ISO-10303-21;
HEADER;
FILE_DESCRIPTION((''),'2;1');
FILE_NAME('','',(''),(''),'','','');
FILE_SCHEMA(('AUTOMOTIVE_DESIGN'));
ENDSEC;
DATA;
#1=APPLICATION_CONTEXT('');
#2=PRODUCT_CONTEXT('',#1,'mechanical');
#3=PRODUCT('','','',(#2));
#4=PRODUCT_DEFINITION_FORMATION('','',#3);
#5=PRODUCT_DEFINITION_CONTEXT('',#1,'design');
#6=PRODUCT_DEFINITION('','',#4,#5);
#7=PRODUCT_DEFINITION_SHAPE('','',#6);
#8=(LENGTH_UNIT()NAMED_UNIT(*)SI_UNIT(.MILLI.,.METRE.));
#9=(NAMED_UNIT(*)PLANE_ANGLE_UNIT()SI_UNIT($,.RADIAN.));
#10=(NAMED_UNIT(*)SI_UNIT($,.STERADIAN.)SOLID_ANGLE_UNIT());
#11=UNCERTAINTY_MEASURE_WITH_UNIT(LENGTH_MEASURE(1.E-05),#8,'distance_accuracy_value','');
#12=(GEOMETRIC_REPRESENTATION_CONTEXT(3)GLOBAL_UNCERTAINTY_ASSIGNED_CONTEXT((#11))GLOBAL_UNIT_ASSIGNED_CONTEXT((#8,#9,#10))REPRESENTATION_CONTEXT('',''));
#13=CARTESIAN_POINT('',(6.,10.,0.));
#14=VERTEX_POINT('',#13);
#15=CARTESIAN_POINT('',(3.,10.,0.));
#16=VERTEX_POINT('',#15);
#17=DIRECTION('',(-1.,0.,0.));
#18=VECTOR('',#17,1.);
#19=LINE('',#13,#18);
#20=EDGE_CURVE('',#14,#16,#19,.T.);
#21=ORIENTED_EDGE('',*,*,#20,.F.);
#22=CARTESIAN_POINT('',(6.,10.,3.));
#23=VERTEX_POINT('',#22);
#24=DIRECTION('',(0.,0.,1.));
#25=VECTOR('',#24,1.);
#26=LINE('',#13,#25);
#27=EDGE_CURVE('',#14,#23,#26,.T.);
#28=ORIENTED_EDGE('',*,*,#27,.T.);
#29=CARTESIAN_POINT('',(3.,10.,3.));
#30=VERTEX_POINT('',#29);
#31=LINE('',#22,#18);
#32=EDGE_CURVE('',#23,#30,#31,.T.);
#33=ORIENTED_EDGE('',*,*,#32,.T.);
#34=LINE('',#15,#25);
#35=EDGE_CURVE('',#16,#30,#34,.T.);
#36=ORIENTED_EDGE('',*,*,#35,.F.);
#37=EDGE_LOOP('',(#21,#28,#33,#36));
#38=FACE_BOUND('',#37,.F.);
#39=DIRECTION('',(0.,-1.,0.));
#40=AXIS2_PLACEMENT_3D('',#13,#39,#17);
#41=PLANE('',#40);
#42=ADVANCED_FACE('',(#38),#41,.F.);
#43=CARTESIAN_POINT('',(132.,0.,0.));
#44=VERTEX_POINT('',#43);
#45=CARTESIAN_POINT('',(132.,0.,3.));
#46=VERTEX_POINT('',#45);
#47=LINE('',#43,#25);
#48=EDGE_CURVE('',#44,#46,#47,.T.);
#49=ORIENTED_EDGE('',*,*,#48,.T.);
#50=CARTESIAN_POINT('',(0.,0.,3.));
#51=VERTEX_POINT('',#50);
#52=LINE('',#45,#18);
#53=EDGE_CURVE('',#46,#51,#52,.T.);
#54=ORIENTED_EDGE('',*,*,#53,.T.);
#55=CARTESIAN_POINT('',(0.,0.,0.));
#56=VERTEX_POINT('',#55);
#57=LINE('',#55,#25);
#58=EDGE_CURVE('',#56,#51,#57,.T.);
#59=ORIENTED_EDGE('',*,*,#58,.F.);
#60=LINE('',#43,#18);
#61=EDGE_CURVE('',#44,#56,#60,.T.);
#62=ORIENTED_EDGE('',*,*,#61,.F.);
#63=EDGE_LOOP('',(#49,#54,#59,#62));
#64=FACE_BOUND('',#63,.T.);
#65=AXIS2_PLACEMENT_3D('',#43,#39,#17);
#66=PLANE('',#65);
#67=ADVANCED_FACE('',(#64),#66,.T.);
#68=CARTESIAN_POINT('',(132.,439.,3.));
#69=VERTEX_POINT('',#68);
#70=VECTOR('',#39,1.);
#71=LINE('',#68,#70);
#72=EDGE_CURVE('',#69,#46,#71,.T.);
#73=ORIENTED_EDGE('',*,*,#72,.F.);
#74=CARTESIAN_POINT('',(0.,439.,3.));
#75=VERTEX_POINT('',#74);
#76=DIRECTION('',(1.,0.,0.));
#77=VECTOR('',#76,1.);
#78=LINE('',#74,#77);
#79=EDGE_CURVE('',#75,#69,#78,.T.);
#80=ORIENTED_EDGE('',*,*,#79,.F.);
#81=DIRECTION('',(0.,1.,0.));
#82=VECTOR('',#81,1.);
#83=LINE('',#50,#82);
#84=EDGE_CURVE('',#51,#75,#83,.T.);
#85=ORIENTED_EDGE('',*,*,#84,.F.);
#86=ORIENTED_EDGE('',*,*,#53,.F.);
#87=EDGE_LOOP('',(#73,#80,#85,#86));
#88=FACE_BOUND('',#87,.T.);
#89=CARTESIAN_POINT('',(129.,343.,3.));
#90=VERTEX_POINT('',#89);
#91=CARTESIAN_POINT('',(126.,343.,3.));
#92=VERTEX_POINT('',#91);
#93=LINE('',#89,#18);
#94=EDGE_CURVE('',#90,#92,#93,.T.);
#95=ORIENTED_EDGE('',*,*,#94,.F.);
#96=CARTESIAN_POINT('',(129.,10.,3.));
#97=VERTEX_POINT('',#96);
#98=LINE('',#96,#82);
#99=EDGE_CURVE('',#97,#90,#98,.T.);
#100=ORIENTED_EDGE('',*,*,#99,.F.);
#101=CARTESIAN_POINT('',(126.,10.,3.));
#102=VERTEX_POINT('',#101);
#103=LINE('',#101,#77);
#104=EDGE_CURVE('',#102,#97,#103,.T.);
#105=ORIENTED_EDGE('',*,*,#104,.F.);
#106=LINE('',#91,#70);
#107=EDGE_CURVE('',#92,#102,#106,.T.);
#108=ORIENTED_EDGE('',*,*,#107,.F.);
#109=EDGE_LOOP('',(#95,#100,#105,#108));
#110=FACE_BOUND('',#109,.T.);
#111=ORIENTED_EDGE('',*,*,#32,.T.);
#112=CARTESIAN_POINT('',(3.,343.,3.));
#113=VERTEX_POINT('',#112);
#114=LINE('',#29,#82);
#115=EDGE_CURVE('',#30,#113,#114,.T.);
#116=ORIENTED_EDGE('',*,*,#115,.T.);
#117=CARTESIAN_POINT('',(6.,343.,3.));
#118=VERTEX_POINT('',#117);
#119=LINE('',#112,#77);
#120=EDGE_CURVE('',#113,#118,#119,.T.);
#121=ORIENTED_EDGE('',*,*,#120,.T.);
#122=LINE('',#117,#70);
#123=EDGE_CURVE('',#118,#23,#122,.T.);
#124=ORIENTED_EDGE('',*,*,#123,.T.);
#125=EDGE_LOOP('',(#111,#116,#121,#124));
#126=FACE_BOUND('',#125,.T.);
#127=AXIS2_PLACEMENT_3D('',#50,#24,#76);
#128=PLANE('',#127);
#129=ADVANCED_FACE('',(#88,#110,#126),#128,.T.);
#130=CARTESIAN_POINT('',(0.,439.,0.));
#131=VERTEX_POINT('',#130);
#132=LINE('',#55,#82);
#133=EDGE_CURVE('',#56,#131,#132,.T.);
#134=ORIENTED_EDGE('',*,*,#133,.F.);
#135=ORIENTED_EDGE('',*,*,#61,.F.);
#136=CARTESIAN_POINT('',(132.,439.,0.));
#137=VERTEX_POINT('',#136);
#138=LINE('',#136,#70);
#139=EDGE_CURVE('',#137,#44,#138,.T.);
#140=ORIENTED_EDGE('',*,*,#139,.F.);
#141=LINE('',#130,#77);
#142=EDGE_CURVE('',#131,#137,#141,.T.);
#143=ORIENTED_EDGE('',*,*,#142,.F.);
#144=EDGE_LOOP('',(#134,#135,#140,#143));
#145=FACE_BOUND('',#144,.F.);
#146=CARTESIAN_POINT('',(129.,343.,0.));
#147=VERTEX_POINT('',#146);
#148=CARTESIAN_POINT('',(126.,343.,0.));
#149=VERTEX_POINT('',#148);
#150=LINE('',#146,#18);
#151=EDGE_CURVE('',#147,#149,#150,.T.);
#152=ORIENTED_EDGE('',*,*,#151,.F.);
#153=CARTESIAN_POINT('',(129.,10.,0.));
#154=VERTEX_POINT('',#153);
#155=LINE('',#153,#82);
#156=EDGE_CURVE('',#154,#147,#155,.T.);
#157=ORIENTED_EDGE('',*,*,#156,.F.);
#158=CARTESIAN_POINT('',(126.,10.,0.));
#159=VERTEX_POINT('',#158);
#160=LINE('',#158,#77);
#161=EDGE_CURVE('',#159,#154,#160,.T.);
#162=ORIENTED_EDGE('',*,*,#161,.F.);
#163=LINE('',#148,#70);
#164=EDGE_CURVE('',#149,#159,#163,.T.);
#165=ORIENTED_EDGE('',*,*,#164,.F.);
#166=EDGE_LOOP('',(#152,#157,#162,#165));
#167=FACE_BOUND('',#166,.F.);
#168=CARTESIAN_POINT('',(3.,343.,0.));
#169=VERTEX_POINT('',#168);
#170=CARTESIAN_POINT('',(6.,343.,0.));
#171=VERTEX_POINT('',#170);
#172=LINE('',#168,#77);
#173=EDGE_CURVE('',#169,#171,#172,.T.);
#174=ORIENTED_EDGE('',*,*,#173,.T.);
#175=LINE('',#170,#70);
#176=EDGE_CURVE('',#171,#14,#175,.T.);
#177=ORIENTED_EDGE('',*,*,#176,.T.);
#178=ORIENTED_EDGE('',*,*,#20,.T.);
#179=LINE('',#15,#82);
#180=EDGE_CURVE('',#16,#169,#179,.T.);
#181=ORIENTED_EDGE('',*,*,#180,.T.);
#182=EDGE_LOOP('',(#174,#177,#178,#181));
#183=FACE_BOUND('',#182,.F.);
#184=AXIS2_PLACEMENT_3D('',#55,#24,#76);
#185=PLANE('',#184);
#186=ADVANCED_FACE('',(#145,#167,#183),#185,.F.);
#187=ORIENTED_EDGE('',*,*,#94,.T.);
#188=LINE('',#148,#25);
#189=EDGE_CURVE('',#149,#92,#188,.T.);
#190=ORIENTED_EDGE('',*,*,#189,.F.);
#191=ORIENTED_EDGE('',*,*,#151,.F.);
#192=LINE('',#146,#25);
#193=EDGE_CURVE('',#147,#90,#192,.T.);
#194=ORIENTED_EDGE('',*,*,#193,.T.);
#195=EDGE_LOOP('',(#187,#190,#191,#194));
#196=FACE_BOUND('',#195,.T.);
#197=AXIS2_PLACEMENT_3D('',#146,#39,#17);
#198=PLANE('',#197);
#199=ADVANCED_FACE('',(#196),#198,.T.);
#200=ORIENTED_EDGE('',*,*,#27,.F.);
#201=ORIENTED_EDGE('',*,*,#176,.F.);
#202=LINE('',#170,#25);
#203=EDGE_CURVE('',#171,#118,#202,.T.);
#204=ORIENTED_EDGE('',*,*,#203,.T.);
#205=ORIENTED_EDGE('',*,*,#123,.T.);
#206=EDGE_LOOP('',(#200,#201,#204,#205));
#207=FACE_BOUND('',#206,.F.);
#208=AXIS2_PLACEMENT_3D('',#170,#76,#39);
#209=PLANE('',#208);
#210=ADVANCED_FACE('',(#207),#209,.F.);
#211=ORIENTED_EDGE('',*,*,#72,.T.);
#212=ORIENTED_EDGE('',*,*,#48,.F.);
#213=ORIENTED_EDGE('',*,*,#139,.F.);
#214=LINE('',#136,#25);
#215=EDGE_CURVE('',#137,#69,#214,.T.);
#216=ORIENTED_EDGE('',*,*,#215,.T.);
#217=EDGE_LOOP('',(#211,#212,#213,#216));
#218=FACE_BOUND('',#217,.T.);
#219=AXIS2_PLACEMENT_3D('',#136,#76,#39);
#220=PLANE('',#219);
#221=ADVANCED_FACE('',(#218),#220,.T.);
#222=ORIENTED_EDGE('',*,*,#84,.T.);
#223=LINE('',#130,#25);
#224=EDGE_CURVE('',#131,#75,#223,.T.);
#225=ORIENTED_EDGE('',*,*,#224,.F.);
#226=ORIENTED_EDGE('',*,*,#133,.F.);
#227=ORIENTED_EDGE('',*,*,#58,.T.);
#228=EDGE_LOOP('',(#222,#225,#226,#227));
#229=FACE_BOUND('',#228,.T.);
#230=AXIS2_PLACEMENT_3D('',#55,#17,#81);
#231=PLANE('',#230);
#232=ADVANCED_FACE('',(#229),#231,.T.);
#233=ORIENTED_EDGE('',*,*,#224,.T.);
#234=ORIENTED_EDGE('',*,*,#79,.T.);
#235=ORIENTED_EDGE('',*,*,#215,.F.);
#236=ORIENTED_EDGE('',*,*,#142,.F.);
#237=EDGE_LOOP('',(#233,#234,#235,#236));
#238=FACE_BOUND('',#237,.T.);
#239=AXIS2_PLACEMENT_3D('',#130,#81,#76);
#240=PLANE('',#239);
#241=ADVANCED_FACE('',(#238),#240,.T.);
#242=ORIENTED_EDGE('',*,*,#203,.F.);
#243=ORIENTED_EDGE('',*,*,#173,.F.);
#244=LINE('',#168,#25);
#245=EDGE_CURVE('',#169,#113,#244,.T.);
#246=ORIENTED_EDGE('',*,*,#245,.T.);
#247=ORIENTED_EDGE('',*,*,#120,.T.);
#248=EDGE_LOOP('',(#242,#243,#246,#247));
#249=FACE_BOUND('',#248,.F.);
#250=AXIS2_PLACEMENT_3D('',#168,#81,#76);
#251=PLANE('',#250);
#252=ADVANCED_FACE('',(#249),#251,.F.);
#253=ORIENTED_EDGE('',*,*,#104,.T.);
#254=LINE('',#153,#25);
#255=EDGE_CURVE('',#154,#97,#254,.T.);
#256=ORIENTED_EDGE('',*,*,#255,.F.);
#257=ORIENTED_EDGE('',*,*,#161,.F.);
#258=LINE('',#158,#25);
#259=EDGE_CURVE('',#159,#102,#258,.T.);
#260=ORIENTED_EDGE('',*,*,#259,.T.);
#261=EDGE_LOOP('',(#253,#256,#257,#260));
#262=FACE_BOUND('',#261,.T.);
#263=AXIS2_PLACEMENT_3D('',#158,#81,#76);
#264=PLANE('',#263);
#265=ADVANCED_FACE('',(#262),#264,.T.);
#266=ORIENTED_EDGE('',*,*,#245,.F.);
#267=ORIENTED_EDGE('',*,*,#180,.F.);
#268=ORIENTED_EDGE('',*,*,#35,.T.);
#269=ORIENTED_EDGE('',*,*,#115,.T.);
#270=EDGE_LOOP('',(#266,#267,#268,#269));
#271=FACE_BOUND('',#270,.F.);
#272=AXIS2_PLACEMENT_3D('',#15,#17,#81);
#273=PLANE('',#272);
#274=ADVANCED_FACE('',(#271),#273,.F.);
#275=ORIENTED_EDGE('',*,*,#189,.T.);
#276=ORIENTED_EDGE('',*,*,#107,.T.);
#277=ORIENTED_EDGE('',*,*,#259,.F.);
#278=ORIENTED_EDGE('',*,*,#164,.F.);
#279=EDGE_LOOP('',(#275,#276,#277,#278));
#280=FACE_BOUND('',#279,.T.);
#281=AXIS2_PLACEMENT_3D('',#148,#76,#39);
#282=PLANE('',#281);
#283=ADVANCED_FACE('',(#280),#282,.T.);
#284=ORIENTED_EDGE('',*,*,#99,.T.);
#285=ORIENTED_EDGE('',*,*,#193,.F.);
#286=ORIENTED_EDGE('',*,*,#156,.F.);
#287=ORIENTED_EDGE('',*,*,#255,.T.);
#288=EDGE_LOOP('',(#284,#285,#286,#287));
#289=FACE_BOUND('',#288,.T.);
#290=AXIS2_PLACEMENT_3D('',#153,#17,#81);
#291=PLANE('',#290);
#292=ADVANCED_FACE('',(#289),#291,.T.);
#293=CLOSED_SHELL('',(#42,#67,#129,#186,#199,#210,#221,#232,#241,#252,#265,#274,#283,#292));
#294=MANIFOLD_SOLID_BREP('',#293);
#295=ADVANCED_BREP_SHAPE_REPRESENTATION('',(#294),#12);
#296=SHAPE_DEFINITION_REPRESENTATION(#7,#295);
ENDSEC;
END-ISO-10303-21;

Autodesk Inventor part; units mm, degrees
ref_plane "YZ Plane" through (0, 0, 0) normal (1, 0, 0) x (0, 1, 0)
ref_plane "XZ Plane" through (0, 0, 0) normal (0, 1, 0) x (-1, 0, 0)
ref_plane "XY Plane" through (0, 0, 0) normal (0, 0, 1) x (1, 0, 0)
sketch "Sketch1" plane through (0, 0, 0) normal (0, 0, 1) x (1, 0, 0)
  line L0 (0, 0) -> (0, 439)
  line L1 (0, 439) -> (132, 439)
  line L2 (132, 439) -> (132, 0)
  line L3 (132, 0) -> (0, 0)
  line L4 (129, 343) -> (126, 343)
  line L5 (126, 343) -> (126, 10)
  line L6 (126, 10) -> (129, 10)
  line L7 (129, 10) -> (129, 343)
  line L8 (3, 343) -> (6, 343)
  line L9 (6, 343) -> (6, 10)
  line L10 (6, 10) -> (3, 10)
  line L11 (3, 10) -> (3, 343)
  dimension "d0" = 439
  dimension "d1" = 132
  dimension "d2" = 3
  dimension "d3" = 3
  dimension "d4" = 3
  dimension "d5" = 3
  dimension "d7" = 10
  dimension "d10" = 343
extrude "Extrusion1" add sketch "Sketch1" along normal blind 3
properties part number "lifting cover 2"
